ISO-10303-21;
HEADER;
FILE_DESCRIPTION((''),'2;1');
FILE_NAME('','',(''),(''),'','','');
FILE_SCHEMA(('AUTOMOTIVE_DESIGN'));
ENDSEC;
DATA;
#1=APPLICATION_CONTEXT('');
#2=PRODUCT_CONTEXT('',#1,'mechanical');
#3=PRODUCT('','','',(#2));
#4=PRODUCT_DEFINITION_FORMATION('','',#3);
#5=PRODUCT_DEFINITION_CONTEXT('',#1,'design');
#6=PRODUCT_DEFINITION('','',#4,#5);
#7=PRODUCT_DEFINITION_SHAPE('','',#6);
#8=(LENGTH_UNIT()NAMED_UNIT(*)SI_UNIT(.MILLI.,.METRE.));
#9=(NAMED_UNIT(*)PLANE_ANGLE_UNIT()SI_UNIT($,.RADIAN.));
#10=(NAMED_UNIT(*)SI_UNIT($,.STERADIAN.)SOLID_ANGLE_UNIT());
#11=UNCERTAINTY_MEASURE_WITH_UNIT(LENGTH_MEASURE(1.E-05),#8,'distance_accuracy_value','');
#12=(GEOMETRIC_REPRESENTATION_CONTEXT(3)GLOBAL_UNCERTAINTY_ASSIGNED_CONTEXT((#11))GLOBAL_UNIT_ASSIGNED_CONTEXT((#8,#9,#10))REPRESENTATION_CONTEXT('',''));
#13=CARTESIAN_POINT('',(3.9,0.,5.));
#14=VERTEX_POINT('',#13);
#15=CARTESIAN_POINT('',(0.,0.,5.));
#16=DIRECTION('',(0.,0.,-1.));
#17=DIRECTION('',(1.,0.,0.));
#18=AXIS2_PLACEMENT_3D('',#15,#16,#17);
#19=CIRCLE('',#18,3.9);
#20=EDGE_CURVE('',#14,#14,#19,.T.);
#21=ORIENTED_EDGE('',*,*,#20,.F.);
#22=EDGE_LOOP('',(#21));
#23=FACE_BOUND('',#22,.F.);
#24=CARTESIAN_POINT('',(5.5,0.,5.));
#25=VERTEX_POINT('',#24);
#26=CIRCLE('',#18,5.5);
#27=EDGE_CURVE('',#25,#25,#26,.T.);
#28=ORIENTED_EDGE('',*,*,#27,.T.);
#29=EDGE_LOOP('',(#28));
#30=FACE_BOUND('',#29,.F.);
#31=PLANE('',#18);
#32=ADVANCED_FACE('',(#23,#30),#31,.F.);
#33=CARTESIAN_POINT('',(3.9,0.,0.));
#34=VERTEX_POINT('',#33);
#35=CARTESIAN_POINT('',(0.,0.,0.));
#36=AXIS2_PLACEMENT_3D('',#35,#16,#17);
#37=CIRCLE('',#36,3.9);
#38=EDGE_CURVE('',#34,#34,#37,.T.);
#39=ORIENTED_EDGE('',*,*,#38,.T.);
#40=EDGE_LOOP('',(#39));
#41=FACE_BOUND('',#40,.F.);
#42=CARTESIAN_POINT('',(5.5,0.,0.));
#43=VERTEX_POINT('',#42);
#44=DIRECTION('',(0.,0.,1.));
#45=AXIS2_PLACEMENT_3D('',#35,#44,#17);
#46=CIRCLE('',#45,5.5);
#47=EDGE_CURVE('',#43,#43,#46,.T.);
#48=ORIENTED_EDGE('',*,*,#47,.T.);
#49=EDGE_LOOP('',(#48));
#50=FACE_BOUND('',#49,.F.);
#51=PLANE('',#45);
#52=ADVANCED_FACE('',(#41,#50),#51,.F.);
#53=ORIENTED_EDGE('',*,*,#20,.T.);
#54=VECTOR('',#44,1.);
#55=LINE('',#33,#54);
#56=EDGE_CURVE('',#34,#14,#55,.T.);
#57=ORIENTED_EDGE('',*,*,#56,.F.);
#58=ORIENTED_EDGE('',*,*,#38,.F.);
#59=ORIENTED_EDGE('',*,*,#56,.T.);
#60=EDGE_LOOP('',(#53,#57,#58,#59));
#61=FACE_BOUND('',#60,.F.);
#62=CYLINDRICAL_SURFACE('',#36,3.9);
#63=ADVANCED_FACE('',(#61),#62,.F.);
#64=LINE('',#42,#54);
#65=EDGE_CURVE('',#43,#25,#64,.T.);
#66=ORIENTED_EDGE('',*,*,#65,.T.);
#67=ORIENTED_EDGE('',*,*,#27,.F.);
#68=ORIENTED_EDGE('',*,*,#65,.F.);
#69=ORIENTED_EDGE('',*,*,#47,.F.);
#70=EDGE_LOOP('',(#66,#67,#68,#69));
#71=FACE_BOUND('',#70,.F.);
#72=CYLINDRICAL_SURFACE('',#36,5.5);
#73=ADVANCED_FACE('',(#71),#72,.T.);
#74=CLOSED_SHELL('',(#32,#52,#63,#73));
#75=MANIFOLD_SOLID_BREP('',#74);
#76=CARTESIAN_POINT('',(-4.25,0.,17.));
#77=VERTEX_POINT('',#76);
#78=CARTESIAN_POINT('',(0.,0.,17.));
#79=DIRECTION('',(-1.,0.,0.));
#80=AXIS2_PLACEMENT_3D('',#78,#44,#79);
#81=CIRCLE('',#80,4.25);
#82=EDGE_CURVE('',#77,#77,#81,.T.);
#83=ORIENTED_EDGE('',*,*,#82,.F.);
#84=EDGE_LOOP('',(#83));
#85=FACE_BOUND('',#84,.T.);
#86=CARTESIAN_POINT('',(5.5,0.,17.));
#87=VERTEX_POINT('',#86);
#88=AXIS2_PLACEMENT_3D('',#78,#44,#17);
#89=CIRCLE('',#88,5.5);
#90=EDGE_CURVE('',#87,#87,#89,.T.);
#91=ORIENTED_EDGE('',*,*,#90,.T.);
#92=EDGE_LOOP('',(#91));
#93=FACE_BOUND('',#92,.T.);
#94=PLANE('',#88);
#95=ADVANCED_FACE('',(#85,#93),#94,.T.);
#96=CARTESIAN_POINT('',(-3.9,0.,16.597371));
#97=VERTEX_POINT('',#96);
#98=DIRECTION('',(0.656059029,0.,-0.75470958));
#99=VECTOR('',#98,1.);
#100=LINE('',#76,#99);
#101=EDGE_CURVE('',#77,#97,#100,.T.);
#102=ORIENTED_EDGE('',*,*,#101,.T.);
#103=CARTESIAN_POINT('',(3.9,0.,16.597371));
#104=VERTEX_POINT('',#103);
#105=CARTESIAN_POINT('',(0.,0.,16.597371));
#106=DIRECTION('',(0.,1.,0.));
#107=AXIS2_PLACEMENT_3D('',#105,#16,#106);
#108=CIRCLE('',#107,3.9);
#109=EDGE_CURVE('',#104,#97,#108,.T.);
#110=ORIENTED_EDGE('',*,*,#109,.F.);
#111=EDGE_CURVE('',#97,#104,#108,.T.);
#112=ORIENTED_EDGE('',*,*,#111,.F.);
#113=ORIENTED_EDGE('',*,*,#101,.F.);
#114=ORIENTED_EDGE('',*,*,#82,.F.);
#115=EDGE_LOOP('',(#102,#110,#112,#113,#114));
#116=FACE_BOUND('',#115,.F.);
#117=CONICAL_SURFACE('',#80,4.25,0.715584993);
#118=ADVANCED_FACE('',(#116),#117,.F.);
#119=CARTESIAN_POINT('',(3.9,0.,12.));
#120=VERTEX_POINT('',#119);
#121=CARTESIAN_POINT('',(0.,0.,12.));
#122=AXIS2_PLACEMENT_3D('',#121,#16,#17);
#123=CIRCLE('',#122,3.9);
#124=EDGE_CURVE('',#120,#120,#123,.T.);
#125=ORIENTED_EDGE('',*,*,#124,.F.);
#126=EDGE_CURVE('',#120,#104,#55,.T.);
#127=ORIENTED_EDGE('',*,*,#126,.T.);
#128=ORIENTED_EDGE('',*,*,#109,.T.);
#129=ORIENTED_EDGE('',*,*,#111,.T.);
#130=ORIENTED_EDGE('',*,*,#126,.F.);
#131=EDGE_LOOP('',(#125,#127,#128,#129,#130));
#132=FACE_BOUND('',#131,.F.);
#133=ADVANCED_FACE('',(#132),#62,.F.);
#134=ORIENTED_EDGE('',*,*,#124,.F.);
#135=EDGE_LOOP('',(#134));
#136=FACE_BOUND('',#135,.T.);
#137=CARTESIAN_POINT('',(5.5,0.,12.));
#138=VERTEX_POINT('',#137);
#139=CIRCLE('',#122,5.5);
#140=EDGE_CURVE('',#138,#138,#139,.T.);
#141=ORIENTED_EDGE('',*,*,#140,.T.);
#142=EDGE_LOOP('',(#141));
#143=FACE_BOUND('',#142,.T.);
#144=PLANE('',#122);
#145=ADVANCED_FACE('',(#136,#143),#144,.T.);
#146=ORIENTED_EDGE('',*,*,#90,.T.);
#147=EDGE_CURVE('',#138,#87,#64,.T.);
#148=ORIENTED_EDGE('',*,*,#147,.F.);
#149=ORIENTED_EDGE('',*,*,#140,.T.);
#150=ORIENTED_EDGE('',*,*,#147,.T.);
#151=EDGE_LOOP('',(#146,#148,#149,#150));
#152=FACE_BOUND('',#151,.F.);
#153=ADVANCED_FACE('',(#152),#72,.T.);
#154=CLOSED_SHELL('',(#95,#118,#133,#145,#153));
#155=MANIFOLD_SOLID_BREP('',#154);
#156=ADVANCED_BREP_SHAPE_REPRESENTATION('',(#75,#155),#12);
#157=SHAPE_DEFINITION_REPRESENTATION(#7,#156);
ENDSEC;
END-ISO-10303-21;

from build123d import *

# Parameters (mm, degrees)
F0_R           = 5.5
F1_DEPTH       = 17
F3_R           = 5.5
F3_R_2         = 3.9
F4_DEPTH       = 7
F6_R           = 3.9
F7_DEPTH       = 0.1
F9_D           = 4.5
F9_CSINK_D     = 8.5
F9_CSINK_ANGLE = 82
F10_R          = 3.9
F11_DEPTH      = 17.001


with BuildPart() as f1:
    # F0 (on Top) → F1 (new body)
    with BuildSketch(Plane.XY):
        Circle(F0_R)
    extrude(amount=F1_DEPTH)

    # F3 (on offset) → F4 (cut)
    with BuildSketch(Plane(origin=(0, 0, 5), x_dir=(1, 0, 0), z_dir=(0, 0, -1))):
        Circle(F3_R)
        Circle(F3_R_2, mode=Mode.SUBTRACT)
    extrude(amount=-F4_DEPTH, mode=Mode.SUBTRACT)

    # F6 (on offset) → F7 (cut)
    with BuildSketch(Plane.XY.offset(8.5)):
        Circle(F6_R)
    extrude(amount=F7_DEPTH, mode=Mode.SUBTRACT)

    # F9 (through all)
    with Locations(Plane.XY.offset(17)):
        with Locations((0, 0)):
            CounterSinkHole(F9_D / 2, F9_CSINK_D / 2, counter_sink_angle=F9_CSINK_ANGLE)

    # F10 (on face) → F11 (cut, through all)
    with BuildSketch(Plane(origin=(0, 0, 0), x_dir=(1, 0, 0), z_dir=(0, 0, -1))):
        Circle(F10_R)
    extrude(amount=-F11_DEPTH, mode=Mode.SUBTRACT)


solid = f1.part
